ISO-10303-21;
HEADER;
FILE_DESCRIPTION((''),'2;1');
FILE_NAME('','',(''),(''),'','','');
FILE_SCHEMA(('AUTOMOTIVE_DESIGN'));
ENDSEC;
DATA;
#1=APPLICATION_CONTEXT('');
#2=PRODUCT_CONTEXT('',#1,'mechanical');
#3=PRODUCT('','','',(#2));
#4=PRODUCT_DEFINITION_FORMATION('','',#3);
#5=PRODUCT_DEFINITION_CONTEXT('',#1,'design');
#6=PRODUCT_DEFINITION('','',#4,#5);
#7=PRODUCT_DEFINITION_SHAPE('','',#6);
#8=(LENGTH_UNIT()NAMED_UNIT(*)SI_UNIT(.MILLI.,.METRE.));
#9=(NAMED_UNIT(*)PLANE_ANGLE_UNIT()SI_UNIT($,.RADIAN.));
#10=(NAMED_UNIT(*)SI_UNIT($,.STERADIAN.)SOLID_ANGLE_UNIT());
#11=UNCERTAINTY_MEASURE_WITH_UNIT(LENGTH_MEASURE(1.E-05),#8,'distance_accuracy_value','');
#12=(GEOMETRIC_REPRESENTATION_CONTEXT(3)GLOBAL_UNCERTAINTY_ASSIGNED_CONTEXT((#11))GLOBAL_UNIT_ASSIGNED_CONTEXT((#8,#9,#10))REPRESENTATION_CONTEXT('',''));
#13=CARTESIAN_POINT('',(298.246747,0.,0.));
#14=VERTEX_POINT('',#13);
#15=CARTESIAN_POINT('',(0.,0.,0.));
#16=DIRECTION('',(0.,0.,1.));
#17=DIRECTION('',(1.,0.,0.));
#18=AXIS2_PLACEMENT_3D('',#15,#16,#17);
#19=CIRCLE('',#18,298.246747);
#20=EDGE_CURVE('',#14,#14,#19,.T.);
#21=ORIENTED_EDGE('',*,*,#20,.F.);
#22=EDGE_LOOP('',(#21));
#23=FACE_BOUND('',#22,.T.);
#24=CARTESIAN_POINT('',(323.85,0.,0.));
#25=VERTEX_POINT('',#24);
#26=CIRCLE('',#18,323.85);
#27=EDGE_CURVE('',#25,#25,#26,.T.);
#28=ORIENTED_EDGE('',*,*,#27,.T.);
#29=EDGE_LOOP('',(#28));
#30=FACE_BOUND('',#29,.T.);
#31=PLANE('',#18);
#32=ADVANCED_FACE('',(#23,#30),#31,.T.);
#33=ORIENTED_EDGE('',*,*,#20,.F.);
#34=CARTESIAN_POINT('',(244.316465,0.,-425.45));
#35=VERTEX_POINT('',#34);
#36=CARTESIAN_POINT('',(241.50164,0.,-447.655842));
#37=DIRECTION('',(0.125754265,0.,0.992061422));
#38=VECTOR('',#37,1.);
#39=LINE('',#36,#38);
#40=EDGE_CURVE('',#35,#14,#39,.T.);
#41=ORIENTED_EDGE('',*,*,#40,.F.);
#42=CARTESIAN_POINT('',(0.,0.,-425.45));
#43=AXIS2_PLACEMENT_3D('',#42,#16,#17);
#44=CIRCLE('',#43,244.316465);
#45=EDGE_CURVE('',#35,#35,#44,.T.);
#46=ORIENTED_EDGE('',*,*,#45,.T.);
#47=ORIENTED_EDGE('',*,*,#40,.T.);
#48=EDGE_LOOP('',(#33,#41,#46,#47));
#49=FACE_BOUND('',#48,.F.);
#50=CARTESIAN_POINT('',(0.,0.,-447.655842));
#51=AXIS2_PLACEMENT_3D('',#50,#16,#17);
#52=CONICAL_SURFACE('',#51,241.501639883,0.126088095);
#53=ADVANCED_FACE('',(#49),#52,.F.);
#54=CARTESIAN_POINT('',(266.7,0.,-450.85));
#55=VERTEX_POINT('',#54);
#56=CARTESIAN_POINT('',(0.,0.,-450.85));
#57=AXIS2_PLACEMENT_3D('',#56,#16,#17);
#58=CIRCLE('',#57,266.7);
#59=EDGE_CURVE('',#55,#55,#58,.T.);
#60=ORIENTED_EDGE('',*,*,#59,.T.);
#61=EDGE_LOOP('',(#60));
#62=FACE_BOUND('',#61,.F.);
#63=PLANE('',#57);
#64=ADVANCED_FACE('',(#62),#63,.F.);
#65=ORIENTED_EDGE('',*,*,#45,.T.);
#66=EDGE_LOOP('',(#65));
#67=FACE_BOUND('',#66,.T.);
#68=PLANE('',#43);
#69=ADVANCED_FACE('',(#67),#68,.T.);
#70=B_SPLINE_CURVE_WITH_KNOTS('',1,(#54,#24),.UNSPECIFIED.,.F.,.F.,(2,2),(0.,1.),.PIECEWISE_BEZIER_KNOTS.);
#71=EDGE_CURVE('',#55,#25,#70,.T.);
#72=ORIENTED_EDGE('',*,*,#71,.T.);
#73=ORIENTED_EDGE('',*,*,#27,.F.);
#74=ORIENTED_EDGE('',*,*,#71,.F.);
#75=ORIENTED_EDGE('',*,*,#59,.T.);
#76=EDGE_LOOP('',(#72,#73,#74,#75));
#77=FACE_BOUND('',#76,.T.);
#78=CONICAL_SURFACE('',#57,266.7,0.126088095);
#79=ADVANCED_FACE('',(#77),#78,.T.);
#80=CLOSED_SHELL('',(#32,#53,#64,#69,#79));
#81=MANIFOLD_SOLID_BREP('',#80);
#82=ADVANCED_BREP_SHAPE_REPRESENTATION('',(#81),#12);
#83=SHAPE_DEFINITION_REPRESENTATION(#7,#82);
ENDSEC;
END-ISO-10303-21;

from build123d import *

# Parameters (mm, degrees)
F2_R = 266.7
F0_R = 323.85
F4_T = -25.4


with BuildPart() as f3:
    # F2 (on offset) → F3 section 0
    with BuildSketch(Plane.XY.offset(-450.85)):
        Circle(F2_R)
    # F0 (on Top) → F3 section 1
    with BuildSketch(Plane.XY):
        Circle(F0_R)
    loft()

    # F4
    f4_openings = [f3.faces().sort_by_distance(p)[0] for p in [
        (0, 0, 0),
    ]]
    offset(amount=F4_T, openings=f4_openings, kind=Kind.INTERSECTION)


solid = f3.part
